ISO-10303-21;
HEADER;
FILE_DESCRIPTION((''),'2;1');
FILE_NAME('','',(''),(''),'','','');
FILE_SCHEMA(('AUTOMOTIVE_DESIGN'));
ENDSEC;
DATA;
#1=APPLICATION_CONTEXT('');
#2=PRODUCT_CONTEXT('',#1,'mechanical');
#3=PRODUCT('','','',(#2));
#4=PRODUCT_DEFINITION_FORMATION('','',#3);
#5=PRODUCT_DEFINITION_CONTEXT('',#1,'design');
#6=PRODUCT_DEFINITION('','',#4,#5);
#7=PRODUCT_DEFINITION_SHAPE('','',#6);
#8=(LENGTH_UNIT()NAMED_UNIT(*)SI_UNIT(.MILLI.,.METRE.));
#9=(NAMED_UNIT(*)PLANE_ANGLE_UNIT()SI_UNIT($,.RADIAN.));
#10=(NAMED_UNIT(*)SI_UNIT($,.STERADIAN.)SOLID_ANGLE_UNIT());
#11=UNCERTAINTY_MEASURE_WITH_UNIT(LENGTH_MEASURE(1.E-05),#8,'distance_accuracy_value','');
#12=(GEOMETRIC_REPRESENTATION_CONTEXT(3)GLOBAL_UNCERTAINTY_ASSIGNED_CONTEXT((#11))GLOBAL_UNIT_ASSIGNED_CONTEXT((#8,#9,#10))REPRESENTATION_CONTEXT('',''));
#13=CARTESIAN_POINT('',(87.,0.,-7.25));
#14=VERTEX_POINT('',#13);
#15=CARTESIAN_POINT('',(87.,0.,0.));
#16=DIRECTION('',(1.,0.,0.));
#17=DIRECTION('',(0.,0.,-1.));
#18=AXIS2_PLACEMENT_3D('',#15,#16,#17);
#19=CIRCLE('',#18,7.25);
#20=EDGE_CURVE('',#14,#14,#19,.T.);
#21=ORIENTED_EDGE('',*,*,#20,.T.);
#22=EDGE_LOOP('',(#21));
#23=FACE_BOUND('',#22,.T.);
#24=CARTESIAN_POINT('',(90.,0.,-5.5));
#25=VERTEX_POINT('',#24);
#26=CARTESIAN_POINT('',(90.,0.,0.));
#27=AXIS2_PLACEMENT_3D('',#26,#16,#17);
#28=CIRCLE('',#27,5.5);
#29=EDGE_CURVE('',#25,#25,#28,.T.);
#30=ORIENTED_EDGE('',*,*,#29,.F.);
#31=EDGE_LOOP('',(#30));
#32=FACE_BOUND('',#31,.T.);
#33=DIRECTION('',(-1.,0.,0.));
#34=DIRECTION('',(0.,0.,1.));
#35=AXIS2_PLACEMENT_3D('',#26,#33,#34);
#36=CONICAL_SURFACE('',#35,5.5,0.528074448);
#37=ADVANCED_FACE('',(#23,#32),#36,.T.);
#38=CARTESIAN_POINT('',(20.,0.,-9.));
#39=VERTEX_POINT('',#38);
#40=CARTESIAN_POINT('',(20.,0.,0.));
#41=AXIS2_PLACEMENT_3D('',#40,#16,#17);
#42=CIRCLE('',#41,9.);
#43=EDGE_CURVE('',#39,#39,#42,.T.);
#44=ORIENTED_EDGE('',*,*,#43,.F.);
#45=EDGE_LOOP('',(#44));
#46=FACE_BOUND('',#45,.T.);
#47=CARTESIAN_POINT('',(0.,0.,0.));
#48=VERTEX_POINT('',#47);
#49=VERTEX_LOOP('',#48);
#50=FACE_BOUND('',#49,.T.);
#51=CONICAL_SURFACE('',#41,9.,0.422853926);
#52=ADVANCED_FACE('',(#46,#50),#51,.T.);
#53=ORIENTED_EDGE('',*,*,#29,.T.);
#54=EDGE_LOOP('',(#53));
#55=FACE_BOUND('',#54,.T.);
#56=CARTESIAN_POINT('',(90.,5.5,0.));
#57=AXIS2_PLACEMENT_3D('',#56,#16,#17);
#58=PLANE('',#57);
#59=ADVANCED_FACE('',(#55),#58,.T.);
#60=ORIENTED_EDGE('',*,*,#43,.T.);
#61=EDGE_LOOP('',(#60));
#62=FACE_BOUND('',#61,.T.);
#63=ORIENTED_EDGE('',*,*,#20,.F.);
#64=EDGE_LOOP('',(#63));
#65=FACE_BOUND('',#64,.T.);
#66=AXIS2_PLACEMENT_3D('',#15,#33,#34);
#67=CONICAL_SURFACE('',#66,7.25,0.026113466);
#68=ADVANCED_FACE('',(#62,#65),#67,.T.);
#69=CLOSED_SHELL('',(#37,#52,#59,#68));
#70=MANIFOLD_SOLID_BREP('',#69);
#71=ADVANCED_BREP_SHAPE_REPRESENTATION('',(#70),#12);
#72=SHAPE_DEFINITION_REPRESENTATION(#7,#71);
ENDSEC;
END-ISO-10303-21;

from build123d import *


with BuildPart() as part:
    # Sketch1 → Revolve2 (revolve)
    with BuildSketch(Plane.XY, mode=Mode.PRIVATE) as revolve2_sk:
        Polygon((0, 0), (20, 9), (87, 7.25), (90, 5.5), (90, 0), align=None)
    revolve(revolve2_sk.sketch.rotate(Axis((90, 0, 0), (-1, 0, 0)), 90), axis=Axis((90, 0, 0), (-1, 0, 0)))


solid = part.part
